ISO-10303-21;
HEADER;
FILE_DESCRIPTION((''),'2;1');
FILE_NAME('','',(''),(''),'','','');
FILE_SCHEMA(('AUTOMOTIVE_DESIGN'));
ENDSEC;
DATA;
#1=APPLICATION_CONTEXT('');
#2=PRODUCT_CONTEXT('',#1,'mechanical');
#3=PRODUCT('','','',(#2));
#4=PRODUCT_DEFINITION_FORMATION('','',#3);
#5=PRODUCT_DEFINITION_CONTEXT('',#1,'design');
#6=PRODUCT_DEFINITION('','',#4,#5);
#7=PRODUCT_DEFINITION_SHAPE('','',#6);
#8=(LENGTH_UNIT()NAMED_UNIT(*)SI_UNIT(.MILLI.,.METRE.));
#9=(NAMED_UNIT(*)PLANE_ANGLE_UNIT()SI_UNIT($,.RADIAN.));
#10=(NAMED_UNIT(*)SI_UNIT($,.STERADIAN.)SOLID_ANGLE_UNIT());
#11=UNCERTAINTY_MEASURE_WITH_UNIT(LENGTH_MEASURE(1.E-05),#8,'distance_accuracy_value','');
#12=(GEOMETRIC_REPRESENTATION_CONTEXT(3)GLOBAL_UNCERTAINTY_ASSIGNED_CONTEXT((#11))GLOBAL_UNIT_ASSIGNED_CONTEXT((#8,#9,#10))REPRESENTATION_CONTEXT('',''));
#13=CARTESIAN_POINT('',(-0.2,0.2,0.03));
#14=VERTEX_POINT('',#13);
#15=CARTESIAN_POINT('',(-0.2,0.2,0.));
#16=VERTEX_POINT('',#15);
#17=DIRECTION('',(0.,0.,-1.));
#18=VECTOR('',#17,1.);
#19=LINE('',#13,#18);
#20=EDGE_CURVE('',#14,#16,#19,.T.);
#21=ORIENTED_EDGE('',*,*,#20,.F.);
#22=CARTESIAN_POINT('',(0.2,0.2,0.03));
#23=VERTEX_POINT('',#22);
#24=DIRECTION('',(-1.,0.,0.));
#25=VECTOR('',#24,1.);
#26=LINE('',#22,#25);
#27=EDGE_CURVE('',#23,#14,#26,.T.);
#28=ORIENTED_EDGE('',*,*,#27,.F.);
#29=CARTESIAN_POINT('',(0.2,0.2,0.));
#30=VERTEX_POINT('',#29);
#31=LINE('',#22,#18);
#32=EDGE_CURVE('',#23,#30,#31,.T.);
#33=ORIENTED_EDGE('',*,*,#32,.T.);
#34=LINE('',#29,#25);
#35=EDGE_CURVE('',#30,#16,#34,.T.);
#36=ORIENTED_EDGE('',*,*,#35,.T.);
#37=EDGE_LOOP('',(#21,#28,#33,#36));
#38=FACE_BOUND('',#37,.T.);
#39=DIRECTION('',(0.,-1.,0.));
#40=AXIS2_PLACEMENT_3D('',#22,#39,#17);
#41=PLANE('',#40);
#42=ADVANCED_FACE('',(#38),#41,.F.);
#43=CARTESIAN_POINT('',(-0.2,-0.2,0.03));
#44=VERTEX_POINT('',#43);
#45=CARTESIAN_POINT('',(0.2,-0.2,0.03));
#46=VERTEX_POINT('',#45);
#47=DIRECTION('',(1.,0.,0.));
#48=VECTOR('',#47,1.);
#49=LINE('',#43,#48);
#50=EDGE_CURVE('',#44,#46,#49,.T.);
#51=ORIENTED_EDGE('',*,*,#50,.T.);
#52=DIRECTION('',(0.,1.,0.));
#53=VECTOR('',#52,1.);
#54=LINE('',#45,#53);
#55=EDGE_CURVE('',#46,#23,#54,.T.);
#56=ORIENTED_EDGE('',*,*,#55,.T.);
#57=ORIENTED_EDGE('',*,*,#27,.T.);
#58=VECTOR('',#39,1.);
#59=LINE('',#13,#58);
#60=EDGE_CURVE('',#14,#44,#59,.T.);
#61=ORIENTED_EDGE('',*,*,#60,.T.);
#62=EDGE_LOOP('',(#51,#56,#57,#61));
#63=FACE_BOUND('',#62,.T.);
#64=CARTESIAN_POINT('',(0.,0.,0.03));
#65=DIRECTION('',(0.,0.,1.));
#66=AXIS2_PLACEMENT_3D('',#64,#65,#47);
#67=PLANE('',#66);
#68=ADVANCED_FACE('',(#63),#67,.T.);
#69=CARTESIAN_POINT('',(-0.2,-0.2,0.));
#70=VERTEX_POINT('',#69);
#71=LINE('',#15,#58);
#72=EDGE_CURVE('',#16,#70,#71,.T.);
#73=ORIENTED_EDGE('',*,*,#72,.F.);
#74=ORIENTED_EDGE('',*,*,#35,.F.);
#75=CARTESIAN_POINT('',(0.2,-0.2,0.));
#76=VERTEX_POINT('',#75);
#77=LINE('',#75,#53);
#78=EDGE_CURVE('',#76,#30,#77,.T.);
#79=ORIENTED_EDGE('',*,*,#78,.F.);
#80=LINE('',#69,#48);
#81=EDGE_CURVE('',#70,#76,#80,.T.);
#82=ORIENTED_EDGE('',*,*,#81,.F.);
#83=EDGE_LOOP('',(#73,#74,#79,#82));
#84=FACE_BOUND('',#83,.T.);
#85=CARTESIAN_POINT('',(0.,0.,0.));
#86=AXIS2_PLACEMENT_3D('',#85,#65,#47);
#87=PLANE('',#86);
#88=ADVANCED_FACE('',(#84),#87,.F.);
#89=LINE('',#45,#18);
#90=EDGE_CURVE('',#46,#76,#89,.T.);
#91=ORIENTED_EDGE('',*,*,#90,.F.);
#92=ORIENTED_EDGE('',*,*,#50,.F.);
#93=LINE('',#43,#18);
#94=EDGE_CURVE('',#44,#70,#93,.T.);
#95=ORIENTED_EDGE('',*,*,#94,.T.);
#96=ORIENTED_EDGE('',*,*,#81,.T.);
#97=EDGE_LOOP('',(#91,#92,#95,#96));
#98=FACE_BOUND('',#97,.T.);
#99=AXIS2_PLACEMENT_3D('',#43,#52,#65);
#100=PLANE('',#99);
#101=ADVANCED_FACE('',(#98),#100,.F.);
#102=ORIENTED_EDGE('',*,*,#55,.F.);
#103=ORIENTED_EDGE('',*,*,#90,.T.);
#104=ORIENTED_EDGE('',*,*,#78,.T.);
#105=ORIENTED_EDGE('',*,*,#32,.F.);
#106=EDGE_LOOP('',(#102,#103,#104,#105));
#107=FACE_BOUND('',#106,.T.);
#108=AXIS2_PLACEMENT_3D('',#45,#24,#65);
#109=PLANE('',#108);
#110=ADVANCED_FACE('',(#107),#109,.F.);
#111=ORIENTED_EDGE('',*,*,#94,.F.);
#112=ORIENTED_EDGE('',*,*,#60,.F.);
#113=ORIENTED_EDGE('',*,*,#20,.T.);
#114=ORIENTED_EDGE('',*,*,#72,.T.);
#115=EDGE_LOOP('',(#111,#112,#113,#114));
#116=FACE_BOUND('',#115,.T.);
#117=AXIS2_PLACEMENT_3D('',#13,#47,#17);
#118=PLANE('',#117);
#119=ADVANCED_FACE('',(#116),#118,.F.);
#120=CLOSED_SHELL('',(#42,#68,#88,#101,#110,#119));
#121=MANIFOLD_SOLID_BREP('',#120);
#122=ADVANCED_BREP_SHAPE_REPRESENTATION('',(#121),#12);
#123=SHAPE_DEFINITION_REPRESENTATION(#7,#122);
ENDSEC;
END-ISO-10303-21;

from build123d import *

# Parameters (mm, degrees)
SKETCH_1_W              = 0.4
SKETCH_1_H              = 0.4
COMPONENT_OUTLINE_DEPTH = 0.03


with BuildPart() as part:
    # 草图1 → Component_Outline (new body)
    with BuildSketch(Plane.XY):
        Rectangle(SKETCH_1_W, SKETCH_1_H)
    extrude(amount=COMPONENT_OUTLINE_DEPTH)


solid = part.part
